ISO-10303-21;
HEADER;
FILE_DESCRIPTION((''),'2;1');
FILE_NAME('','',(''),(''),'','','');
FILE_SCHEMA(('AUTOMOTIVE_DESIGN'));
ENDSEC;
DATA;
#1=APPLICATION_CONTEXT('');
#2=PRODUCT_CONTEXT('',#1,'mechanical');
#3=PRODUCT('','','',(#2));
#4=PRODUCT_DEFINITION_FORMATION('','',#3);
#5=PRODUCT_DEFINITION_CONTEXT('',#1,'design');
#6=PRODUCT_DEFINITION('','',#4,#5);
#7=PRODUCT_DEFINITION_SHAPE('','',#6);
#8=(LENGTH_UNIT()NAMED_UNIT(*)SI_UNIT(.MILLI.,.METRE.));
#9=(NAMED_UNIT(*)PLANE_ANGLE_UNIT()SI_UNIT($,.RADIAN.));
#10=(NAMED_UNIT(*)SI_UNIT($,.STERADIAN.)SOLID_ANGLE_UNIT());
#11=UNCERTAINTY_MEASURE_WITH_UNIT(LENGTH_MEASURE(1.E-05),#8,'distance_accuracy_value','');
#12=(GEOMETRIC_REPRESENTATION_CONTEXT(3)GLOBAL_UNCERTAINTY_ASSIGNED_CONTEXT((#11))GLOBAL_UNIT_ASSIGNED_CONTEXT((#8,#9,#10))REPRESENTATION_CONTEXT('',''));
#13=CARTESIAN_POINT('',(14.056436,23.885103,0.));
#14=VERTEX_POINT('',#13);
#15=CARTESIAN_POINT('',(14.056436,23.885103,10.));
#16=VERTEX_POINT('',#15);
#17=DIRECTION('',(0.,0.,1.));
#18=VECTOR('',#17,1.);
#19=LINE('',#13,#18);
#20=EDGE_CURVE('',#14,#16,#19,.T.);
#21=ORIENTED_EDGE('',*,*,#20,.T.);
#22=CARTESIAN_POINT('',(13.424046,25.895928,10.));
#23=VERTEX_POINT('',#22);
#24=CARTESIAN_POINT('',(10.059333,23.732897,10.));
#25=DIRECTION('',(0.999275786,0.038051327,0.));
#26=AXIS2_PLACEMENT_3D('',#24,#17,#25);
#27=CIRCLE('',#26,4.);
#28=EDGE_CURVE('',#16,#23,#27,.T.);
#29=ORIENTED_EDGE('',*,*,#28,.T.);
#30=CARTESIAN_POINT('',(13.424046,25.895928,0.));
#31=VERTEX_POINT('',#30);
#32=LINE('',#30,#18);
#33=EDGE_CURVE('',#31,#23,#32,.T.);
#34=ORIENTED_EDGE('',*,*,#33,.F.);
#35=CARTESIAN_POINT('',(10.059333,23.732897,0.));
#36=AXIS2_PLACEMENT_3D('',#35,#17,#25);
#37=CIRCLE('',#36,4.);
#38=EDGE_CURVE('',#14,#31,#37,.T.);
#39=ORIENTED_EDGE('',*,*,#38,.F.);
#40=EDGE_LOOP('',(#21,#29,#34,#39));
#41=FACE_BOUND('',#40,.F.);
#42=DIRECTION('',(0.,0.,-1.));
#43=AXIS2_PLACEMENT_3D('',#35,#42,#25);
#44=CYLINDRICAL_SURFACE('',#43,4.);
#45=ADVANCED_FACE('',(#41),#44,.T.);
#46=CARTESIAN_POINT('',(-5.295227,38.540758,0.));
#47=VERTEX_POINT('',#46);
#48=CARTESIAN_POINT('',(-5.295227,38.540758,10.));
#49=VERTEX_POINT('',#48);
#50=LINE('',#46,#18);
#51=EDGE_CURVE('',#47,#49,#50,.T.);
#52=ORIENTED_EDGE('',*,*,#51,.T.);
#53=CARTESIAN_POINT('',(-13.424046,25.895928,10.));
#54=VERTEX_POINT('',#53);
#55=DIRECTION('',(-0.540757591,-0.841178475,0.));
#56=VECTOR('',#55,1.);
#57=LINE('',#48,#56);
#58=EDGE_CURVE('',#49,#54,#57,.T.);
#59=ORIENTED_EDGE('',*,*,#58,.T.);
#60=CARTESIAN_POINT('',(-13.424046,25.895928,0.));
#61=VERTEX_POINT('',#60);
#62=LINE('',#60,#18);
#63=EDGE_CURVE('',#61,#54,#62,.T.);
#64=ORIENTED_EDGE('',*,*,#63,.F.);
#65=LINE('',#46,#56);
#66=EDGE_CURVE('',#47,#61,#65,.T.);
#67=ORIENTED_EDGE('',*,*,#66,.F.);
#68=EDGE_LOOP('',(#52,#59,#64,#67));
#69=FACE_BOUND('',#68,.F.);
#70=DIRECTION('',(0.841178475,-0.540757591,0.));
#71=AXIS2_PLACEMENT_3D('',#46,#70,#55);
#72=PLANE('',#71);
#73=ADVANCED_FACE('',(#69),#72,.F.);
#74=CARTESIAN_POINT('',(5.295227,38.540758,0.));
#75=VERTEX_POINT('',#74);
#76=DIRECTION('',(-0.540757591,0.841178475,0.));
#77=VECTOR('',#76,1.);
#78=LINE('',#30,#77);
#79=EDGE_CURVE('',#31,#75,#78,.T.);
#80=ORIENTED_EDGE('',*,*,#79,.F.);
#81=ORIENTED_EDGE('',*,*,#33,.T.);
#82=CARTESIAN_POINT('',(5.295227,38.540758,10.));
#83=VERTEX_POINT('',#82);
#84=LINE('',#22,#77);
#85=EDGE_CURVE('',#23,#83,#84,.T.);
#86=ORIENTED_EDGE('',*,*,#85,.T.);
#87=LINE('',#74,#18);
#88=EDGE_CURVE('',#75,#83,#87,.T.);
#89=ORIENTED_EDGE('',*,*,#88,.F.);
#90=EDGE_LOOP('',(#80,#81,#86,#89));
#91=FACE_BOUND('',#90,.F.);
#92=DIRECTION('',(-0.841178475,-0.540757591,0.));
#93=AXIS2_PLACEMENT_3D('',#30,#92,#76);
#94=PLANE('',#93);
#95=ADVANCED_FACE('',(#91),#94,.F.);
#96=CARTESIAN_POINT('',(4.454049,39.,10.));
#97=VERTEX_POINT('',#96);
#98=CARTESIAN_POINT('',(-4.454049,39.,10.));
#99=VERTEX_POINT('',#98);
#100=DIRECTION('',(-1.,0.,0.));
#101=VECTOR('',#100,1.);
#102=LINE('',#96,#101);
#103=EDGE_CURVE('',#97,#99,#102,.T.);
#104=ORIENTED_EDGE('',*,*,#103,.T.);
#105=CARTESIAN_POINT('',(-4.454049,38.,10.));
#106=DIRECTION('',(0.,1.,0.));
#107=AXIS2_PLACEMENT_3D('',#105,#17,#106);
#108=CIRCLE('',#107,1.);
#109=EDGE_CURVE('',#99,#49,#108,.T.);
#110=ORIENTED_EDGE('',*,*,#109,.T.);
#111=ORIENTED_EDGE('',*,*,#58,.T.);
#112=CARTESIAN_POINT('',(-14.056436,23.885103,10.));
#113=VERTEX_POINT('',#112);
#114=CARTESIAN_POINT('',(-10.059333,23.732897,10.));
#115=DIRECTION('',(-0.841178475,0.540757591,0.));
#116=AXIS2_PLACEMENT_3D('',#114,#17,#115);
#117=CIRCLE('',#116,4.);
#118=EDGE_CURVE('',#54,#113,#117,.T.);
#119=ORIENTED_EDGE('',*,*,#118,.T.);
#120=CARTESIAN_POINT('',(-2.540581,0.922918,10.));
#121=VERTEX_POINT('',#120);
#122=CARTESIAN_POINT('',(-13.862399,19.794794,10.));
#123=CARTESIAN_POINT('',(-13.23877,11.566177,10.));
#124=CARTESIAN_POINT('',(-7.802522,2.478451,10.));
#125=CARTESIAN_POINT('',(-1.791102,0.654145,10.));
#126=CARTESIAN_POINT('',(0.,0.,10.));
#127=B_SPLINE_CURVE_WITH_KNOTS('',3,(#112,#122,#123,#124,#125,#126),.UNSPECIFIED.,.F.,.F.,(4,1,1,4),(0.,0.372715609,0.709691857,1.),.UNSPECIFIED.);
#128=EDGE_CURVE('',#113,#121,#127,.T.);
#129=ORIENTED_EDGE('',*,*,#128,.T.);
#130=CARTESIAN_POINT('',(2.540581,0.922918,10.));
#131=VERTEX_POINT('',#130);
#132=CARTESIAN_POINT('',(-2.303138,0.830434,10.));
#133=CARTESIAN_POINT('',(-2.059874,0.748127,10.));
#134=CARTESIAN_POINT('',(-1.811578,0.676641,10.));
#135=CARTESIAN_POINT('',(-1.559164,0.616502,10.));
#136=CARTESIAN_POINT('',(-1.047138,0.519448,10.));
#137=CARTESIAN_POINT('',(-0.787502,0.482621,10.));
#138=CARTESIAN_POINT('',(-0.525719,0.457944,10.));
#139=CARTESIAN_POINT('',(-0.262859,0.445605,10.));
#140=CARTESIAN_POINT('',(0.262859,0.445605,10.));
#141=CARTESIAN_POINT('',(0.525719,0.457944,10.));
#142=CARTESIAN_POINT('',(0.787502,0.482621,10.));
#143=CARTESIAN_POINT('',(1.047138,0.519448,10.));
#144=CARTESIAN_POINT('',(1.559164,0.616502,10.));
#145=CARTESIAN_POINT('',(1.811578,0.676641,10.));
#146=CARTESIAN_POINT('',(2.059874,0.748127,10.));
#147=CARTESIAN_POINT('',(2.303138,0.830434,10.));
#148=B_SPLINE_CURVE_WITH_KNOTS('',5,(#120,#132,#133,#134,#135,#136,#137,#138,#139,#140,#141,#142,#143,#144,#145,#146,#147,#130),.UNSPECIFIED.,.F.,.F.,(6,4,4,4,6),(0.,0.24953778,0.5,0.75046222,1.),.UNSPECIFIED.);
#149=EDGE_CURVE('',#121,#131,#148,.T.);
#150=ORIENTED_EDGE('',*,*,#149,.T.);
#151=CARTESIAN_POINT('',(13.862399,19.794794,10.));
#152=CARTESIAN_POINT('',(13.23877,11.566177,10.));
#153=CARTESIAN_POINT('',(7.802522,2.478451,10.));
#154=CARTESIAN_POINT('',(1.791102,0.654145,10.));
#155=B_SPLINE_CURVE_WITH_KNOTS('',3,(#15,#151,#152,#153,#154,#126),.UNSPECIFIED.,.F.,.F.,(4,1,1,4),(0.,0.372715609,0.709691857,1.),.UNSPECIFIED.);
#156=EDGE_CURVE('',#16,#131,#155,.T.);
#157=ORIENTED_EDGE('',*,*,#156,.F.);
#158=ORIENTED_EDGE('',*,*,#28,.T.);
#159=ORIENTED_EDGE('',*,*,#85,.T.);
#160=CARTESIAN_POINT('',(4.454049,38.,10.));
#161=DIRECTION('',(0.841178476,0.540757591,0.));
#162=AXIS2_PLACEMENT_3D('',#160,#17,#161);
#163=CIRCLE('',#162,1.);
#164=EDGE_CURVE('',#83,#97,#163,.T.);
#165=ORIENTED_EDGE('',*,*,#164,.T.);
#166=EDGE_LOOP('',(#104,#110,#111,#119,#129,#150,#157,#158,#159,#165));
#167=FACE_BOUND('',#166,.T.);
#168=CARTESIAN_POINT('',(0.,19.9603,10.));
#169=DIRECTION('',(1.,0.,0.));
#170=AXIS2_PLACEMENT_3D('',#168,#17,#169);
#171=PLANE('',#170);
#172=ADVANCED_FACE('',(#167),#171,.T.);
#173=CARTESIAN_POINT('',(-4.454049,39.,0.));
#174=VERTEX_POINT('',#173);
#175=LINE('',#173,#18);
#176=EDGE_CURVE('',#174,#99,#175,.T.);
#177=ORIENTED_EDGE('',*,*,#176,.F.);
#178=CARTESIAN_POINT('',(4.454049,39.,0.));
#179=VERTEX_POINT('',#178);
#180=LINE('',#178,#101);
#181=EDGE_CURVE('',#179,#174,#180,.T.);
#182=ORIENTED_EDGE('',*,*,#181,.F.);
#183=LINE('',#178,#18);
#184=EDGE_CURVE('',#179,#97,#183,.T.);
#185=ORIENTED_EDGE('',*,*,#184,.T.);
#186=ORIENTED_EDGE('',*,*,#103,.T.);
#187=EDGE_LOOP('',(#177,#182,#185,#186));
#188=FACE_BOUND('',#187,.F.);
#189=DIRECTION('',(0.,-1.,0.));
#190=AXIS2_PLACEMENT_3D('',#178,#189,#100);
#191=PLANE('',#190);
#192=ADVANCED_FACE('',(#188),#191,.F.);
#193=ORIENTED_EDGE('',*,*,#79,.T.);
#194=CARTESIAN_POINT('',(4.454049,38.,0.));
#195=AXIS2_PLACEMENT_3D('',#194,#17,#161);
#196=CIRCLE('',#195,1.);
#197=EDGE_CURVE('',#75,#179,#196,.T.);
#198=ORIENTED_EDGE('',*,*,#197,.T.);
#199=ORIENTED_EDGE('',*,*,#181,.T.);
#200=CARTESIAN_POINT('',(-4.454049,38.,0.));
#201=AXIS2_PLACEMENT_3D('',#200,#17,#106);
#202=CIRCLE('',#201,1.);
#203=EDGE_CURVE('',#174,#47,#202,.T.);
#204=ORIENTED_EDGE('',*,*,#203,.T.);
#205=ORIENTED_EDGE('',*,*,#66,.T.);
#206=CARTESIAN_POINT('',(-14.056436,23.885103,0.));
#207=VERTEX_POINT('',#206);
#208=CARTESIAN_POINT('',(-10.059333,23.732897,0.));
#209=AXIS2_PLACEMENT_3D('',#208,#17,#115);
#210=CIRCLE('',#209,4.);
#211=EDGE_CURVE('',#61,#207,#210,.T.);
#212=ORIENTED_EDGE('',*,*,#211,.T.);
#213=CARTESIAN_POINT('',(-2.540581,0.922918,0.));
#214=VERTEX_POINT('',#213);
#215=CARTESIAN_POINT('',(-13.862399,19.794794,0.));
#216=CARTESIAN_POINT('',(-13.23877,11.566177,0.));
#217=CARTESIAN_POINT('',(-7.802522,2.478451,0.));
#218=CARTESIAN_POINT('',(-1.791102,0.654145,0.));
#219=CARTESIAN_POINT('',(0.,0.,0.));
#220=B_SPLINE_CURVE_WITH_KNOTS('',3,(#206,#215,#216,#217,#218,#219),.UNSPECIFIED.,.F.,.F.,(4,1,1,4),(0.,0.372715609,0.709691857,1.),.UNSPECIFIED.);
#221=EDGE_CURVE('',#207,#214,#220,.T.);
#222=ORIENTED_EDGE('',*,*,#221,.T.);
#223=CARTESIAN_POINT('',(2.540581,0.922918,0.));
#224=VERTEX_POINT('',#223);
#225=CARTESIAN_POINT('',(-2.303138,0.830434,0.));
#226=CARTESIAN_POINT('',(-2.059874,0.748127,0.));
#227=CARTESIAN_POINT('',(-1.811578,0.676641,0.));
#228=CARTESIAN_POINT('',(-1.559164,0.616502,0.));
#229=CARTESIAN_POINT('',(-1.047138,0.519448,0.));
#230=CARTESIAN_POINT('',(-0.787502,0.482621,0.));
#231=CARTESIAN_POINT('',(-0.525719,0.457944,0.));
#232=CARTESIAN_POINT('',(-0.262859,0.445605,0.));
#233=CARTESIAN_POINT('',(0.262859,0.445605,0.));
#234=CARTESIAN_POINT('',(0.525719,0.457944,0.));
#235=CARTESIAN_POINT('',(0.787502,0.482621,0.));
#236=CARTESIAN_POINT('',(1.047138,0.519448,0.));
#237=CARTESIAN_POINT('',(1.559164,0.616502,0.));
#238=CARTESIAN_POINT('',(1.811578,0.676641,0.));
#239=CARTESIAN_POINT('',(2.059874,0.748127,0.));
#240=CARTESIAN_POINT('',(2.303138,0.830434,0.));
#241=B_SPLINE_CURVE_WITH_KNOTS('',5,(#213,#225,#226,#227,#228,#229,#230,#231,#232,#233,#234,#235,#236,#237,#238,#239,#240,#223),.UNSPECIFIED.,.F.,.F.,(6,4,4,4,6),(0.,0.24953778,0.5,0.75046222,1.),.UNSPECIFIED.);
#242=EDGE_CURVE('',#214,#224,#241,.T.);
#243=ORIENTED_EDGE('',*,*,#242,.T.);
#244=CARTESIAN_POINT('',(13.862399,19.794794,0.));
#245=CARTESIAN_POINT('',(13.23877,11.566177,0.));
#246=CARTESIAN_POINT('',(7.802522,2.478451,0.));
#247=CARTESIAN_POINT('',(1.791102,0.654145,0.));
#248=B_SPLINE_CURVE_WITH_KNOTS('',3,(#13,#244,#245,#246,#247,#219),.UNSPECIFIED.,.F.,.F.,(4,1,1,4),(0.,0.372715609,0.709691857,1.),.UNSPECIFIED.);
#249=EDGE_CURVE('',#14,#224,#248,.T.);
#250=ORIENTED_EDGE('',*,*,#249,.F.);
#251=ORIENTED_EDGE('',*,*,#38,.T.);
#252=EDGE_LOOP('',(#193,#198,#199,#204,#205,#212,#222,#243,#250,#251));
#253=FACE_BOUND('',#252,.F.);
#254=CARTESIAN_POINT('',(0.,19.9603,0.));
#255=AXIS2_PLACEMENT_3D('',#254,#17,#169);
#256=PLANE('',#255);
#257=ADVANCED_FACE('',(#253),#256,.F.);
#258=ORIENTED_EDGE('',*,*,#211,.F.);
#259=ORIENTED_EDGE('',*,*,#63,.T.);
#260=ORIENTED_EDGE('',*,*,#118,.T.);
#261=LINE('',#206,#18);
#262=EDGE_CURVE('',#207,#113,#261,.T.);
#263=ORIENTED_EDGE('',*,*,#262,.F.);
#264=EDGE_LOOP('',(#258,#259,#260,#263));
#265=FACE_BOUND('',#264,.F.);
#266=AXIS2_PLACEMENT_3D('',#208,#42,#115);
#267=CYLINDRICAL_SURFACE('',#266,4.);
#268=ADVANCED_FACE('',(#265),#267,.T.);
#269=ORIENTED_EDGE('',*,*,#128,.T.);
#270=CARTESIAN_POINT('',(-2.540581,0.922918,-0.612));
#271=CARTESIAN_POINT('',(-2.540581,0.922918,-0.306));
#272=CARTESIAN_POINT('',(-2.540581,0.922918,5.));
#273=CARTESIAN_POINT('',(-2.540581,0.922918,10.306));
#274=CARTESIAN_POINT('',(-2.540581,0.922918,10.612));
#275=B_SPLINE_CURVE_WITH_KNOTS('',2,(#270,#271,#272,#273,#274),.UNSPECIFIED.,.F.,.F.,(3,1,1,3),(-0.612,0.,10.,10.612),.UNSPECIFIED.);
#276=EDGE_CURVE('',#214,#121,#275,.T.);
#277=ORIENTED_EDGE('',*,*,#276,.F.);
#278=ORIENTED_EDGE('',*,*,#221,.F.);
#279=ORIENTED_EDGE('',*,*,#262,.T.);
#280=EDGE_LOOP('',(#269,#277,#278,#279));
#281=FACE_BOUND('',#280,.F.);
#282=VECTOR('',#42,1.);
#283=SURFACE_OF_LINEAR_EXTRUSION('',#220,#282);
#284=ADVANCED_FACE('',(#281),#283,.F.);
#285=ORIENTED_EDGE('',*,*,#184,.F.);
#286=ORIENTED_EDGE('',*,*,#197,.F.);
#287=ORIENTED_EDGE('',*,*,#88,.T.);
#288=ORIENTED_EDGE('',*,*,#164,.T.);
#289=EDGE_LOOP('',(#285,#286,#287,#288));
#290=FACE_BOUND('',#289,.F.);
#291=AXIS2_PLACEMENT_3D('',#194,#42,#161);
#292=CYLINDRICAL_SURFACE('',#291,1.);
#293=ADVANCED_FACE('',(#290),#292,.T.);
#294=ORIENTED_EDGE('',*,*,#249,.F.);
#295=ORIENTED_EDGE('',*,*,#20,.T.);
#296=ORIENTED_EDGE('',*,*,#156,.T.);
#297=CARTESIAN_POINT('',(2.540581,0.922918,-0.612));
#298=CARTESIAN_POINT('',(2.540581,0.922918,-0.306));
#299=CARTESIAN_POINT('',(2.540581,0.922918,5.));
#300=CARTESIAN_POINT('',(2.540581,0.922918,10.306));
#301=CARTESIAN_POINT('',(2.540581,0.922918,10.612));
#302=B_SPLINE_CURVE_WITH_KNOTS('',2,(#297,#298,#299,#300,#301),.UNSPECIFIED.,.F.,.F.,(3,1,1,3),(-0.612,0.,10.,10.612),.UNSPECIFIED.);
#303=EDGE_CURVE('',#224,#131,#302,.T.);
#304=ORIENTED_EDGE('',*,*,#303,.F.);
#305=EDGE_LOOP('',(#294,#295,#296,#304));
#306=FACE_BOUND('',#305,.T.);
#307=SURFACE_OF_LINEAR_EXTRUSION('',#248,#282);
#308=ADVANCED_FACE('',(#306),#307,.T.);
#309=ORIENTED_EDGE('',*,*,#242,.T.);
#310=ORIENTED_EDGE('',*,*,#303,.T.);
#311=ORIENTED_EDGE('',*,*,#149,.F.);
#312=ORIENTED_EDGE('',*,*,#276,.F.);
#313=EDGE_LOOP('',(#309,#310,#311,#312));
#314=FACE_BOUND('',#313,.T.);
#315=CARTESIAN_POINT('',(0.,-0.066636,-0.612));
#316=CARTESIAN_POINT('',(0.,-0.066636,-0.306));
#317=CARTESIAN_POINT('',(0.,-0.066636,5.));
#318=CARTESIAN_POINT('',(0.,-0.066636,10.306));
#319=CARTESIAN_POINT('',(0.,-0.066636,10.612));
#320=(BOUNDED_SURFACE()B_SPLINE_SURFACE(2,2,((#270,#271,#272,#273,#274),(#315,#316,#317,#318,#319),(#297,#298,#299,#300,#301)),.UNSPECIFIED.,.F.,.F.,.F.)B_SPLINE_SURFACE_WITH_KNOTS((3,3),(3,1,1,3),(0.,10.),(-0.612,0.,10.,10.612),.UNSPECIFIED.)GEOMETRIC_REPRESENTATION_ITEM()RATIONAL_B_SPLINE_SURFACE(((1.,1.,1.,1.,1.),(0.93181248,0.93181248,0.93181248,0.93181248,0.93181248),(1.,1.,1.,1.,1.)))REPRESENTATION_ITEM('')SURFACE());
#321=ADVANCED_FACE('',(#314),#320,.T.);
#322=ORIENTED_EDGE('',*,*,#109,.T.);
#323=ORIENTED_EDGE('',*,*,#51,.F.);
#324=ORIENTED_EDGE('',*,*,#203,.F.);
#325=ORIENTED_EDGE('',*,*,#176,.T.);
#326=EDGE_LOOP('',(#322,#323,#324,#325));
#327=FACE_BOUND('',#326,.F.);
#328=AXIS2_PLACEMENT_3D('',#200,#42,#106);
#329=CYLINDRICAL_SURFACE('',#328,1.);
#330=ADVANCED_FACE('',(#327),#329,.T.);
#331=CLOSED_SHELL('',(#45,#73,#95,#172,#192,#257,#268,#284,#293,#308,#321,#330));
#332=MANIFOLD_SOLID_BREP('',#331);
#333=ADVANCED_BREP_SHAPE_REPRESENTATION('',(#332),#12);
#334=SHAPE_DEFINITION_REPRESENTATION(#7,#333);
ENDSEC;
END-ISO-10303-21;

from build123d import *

# Parameters (mm, degrees)
F1_DEPTH = 10
F2_R     = 7


with BuildPart() as f1:
    # F0 (on Top) → F1 (new body)
    with BuildSketch(Plane.XY):
        with BuildLine():
            Line((-5.2952272627, 38.5407575913), (-13.4240464083, 25.8959278094))
            ThreePointArc((-13.4240464083, 25.8959278094), (-13.8750817001, 24.9329216495), (-14.0564356508, 23.8851027514))
            add(Edge.make_bspline(
                [(-14.0564356508, 23.8851027514), (-13.8623993356, 19.7947937773), (-13.2387703053, 11.566177165), (-7.8025218047, 2.478450576), (-1.7911023938, 0.6541447849), (0, 0)],
                knots=[0, 0, 0, 0, 0.3727156088, 0.7096918573, 1, 1, 1, 1], degree=3))
            add(Edge.make_bspline(
                [(14.0564356508, 23.8851027514), (13.8623993356, 19.7947937773), (13.2387703053, 11.566177165), (7.8025218047, 2.478450576), (1.7911023938, 0.6541447849), (0, 0)],
                knots=[0, 0, 0, 0, 0.3727156088, 0.7096918573, 1, 1, 1, 1], degree=3))
            ThreePointArc((14.0564356508, 23.8851027514), (13.8750817001, 24.9329216495), (13.4240464083, 25.8959278094))
            Line((13.4240464083, 25.8959278094), (5.2952272627, 38.5407575913))
            ThreePointArc((5.2952272627, 38.5407575913), (4.9332368552, 38.8777122511), (4.4540487874, 39))
            Line((4.4540487874, 39), (-4.4540487874, 39))
            ThreePointArc((-4.4540487874, 39), (-4.9332368552, 38.8777122511), (-5.2952272627, 38.5407575913))
        make_face()
    extrude(amount=F1_DEPTH)

    # F2
    f2_edges = [f1.edges().sort_by_distance(p)[0] for p in [
        (0, 0, 5),
    ]]
    fillet(f2_edges, radius=F2_R)


solid = f1.part
